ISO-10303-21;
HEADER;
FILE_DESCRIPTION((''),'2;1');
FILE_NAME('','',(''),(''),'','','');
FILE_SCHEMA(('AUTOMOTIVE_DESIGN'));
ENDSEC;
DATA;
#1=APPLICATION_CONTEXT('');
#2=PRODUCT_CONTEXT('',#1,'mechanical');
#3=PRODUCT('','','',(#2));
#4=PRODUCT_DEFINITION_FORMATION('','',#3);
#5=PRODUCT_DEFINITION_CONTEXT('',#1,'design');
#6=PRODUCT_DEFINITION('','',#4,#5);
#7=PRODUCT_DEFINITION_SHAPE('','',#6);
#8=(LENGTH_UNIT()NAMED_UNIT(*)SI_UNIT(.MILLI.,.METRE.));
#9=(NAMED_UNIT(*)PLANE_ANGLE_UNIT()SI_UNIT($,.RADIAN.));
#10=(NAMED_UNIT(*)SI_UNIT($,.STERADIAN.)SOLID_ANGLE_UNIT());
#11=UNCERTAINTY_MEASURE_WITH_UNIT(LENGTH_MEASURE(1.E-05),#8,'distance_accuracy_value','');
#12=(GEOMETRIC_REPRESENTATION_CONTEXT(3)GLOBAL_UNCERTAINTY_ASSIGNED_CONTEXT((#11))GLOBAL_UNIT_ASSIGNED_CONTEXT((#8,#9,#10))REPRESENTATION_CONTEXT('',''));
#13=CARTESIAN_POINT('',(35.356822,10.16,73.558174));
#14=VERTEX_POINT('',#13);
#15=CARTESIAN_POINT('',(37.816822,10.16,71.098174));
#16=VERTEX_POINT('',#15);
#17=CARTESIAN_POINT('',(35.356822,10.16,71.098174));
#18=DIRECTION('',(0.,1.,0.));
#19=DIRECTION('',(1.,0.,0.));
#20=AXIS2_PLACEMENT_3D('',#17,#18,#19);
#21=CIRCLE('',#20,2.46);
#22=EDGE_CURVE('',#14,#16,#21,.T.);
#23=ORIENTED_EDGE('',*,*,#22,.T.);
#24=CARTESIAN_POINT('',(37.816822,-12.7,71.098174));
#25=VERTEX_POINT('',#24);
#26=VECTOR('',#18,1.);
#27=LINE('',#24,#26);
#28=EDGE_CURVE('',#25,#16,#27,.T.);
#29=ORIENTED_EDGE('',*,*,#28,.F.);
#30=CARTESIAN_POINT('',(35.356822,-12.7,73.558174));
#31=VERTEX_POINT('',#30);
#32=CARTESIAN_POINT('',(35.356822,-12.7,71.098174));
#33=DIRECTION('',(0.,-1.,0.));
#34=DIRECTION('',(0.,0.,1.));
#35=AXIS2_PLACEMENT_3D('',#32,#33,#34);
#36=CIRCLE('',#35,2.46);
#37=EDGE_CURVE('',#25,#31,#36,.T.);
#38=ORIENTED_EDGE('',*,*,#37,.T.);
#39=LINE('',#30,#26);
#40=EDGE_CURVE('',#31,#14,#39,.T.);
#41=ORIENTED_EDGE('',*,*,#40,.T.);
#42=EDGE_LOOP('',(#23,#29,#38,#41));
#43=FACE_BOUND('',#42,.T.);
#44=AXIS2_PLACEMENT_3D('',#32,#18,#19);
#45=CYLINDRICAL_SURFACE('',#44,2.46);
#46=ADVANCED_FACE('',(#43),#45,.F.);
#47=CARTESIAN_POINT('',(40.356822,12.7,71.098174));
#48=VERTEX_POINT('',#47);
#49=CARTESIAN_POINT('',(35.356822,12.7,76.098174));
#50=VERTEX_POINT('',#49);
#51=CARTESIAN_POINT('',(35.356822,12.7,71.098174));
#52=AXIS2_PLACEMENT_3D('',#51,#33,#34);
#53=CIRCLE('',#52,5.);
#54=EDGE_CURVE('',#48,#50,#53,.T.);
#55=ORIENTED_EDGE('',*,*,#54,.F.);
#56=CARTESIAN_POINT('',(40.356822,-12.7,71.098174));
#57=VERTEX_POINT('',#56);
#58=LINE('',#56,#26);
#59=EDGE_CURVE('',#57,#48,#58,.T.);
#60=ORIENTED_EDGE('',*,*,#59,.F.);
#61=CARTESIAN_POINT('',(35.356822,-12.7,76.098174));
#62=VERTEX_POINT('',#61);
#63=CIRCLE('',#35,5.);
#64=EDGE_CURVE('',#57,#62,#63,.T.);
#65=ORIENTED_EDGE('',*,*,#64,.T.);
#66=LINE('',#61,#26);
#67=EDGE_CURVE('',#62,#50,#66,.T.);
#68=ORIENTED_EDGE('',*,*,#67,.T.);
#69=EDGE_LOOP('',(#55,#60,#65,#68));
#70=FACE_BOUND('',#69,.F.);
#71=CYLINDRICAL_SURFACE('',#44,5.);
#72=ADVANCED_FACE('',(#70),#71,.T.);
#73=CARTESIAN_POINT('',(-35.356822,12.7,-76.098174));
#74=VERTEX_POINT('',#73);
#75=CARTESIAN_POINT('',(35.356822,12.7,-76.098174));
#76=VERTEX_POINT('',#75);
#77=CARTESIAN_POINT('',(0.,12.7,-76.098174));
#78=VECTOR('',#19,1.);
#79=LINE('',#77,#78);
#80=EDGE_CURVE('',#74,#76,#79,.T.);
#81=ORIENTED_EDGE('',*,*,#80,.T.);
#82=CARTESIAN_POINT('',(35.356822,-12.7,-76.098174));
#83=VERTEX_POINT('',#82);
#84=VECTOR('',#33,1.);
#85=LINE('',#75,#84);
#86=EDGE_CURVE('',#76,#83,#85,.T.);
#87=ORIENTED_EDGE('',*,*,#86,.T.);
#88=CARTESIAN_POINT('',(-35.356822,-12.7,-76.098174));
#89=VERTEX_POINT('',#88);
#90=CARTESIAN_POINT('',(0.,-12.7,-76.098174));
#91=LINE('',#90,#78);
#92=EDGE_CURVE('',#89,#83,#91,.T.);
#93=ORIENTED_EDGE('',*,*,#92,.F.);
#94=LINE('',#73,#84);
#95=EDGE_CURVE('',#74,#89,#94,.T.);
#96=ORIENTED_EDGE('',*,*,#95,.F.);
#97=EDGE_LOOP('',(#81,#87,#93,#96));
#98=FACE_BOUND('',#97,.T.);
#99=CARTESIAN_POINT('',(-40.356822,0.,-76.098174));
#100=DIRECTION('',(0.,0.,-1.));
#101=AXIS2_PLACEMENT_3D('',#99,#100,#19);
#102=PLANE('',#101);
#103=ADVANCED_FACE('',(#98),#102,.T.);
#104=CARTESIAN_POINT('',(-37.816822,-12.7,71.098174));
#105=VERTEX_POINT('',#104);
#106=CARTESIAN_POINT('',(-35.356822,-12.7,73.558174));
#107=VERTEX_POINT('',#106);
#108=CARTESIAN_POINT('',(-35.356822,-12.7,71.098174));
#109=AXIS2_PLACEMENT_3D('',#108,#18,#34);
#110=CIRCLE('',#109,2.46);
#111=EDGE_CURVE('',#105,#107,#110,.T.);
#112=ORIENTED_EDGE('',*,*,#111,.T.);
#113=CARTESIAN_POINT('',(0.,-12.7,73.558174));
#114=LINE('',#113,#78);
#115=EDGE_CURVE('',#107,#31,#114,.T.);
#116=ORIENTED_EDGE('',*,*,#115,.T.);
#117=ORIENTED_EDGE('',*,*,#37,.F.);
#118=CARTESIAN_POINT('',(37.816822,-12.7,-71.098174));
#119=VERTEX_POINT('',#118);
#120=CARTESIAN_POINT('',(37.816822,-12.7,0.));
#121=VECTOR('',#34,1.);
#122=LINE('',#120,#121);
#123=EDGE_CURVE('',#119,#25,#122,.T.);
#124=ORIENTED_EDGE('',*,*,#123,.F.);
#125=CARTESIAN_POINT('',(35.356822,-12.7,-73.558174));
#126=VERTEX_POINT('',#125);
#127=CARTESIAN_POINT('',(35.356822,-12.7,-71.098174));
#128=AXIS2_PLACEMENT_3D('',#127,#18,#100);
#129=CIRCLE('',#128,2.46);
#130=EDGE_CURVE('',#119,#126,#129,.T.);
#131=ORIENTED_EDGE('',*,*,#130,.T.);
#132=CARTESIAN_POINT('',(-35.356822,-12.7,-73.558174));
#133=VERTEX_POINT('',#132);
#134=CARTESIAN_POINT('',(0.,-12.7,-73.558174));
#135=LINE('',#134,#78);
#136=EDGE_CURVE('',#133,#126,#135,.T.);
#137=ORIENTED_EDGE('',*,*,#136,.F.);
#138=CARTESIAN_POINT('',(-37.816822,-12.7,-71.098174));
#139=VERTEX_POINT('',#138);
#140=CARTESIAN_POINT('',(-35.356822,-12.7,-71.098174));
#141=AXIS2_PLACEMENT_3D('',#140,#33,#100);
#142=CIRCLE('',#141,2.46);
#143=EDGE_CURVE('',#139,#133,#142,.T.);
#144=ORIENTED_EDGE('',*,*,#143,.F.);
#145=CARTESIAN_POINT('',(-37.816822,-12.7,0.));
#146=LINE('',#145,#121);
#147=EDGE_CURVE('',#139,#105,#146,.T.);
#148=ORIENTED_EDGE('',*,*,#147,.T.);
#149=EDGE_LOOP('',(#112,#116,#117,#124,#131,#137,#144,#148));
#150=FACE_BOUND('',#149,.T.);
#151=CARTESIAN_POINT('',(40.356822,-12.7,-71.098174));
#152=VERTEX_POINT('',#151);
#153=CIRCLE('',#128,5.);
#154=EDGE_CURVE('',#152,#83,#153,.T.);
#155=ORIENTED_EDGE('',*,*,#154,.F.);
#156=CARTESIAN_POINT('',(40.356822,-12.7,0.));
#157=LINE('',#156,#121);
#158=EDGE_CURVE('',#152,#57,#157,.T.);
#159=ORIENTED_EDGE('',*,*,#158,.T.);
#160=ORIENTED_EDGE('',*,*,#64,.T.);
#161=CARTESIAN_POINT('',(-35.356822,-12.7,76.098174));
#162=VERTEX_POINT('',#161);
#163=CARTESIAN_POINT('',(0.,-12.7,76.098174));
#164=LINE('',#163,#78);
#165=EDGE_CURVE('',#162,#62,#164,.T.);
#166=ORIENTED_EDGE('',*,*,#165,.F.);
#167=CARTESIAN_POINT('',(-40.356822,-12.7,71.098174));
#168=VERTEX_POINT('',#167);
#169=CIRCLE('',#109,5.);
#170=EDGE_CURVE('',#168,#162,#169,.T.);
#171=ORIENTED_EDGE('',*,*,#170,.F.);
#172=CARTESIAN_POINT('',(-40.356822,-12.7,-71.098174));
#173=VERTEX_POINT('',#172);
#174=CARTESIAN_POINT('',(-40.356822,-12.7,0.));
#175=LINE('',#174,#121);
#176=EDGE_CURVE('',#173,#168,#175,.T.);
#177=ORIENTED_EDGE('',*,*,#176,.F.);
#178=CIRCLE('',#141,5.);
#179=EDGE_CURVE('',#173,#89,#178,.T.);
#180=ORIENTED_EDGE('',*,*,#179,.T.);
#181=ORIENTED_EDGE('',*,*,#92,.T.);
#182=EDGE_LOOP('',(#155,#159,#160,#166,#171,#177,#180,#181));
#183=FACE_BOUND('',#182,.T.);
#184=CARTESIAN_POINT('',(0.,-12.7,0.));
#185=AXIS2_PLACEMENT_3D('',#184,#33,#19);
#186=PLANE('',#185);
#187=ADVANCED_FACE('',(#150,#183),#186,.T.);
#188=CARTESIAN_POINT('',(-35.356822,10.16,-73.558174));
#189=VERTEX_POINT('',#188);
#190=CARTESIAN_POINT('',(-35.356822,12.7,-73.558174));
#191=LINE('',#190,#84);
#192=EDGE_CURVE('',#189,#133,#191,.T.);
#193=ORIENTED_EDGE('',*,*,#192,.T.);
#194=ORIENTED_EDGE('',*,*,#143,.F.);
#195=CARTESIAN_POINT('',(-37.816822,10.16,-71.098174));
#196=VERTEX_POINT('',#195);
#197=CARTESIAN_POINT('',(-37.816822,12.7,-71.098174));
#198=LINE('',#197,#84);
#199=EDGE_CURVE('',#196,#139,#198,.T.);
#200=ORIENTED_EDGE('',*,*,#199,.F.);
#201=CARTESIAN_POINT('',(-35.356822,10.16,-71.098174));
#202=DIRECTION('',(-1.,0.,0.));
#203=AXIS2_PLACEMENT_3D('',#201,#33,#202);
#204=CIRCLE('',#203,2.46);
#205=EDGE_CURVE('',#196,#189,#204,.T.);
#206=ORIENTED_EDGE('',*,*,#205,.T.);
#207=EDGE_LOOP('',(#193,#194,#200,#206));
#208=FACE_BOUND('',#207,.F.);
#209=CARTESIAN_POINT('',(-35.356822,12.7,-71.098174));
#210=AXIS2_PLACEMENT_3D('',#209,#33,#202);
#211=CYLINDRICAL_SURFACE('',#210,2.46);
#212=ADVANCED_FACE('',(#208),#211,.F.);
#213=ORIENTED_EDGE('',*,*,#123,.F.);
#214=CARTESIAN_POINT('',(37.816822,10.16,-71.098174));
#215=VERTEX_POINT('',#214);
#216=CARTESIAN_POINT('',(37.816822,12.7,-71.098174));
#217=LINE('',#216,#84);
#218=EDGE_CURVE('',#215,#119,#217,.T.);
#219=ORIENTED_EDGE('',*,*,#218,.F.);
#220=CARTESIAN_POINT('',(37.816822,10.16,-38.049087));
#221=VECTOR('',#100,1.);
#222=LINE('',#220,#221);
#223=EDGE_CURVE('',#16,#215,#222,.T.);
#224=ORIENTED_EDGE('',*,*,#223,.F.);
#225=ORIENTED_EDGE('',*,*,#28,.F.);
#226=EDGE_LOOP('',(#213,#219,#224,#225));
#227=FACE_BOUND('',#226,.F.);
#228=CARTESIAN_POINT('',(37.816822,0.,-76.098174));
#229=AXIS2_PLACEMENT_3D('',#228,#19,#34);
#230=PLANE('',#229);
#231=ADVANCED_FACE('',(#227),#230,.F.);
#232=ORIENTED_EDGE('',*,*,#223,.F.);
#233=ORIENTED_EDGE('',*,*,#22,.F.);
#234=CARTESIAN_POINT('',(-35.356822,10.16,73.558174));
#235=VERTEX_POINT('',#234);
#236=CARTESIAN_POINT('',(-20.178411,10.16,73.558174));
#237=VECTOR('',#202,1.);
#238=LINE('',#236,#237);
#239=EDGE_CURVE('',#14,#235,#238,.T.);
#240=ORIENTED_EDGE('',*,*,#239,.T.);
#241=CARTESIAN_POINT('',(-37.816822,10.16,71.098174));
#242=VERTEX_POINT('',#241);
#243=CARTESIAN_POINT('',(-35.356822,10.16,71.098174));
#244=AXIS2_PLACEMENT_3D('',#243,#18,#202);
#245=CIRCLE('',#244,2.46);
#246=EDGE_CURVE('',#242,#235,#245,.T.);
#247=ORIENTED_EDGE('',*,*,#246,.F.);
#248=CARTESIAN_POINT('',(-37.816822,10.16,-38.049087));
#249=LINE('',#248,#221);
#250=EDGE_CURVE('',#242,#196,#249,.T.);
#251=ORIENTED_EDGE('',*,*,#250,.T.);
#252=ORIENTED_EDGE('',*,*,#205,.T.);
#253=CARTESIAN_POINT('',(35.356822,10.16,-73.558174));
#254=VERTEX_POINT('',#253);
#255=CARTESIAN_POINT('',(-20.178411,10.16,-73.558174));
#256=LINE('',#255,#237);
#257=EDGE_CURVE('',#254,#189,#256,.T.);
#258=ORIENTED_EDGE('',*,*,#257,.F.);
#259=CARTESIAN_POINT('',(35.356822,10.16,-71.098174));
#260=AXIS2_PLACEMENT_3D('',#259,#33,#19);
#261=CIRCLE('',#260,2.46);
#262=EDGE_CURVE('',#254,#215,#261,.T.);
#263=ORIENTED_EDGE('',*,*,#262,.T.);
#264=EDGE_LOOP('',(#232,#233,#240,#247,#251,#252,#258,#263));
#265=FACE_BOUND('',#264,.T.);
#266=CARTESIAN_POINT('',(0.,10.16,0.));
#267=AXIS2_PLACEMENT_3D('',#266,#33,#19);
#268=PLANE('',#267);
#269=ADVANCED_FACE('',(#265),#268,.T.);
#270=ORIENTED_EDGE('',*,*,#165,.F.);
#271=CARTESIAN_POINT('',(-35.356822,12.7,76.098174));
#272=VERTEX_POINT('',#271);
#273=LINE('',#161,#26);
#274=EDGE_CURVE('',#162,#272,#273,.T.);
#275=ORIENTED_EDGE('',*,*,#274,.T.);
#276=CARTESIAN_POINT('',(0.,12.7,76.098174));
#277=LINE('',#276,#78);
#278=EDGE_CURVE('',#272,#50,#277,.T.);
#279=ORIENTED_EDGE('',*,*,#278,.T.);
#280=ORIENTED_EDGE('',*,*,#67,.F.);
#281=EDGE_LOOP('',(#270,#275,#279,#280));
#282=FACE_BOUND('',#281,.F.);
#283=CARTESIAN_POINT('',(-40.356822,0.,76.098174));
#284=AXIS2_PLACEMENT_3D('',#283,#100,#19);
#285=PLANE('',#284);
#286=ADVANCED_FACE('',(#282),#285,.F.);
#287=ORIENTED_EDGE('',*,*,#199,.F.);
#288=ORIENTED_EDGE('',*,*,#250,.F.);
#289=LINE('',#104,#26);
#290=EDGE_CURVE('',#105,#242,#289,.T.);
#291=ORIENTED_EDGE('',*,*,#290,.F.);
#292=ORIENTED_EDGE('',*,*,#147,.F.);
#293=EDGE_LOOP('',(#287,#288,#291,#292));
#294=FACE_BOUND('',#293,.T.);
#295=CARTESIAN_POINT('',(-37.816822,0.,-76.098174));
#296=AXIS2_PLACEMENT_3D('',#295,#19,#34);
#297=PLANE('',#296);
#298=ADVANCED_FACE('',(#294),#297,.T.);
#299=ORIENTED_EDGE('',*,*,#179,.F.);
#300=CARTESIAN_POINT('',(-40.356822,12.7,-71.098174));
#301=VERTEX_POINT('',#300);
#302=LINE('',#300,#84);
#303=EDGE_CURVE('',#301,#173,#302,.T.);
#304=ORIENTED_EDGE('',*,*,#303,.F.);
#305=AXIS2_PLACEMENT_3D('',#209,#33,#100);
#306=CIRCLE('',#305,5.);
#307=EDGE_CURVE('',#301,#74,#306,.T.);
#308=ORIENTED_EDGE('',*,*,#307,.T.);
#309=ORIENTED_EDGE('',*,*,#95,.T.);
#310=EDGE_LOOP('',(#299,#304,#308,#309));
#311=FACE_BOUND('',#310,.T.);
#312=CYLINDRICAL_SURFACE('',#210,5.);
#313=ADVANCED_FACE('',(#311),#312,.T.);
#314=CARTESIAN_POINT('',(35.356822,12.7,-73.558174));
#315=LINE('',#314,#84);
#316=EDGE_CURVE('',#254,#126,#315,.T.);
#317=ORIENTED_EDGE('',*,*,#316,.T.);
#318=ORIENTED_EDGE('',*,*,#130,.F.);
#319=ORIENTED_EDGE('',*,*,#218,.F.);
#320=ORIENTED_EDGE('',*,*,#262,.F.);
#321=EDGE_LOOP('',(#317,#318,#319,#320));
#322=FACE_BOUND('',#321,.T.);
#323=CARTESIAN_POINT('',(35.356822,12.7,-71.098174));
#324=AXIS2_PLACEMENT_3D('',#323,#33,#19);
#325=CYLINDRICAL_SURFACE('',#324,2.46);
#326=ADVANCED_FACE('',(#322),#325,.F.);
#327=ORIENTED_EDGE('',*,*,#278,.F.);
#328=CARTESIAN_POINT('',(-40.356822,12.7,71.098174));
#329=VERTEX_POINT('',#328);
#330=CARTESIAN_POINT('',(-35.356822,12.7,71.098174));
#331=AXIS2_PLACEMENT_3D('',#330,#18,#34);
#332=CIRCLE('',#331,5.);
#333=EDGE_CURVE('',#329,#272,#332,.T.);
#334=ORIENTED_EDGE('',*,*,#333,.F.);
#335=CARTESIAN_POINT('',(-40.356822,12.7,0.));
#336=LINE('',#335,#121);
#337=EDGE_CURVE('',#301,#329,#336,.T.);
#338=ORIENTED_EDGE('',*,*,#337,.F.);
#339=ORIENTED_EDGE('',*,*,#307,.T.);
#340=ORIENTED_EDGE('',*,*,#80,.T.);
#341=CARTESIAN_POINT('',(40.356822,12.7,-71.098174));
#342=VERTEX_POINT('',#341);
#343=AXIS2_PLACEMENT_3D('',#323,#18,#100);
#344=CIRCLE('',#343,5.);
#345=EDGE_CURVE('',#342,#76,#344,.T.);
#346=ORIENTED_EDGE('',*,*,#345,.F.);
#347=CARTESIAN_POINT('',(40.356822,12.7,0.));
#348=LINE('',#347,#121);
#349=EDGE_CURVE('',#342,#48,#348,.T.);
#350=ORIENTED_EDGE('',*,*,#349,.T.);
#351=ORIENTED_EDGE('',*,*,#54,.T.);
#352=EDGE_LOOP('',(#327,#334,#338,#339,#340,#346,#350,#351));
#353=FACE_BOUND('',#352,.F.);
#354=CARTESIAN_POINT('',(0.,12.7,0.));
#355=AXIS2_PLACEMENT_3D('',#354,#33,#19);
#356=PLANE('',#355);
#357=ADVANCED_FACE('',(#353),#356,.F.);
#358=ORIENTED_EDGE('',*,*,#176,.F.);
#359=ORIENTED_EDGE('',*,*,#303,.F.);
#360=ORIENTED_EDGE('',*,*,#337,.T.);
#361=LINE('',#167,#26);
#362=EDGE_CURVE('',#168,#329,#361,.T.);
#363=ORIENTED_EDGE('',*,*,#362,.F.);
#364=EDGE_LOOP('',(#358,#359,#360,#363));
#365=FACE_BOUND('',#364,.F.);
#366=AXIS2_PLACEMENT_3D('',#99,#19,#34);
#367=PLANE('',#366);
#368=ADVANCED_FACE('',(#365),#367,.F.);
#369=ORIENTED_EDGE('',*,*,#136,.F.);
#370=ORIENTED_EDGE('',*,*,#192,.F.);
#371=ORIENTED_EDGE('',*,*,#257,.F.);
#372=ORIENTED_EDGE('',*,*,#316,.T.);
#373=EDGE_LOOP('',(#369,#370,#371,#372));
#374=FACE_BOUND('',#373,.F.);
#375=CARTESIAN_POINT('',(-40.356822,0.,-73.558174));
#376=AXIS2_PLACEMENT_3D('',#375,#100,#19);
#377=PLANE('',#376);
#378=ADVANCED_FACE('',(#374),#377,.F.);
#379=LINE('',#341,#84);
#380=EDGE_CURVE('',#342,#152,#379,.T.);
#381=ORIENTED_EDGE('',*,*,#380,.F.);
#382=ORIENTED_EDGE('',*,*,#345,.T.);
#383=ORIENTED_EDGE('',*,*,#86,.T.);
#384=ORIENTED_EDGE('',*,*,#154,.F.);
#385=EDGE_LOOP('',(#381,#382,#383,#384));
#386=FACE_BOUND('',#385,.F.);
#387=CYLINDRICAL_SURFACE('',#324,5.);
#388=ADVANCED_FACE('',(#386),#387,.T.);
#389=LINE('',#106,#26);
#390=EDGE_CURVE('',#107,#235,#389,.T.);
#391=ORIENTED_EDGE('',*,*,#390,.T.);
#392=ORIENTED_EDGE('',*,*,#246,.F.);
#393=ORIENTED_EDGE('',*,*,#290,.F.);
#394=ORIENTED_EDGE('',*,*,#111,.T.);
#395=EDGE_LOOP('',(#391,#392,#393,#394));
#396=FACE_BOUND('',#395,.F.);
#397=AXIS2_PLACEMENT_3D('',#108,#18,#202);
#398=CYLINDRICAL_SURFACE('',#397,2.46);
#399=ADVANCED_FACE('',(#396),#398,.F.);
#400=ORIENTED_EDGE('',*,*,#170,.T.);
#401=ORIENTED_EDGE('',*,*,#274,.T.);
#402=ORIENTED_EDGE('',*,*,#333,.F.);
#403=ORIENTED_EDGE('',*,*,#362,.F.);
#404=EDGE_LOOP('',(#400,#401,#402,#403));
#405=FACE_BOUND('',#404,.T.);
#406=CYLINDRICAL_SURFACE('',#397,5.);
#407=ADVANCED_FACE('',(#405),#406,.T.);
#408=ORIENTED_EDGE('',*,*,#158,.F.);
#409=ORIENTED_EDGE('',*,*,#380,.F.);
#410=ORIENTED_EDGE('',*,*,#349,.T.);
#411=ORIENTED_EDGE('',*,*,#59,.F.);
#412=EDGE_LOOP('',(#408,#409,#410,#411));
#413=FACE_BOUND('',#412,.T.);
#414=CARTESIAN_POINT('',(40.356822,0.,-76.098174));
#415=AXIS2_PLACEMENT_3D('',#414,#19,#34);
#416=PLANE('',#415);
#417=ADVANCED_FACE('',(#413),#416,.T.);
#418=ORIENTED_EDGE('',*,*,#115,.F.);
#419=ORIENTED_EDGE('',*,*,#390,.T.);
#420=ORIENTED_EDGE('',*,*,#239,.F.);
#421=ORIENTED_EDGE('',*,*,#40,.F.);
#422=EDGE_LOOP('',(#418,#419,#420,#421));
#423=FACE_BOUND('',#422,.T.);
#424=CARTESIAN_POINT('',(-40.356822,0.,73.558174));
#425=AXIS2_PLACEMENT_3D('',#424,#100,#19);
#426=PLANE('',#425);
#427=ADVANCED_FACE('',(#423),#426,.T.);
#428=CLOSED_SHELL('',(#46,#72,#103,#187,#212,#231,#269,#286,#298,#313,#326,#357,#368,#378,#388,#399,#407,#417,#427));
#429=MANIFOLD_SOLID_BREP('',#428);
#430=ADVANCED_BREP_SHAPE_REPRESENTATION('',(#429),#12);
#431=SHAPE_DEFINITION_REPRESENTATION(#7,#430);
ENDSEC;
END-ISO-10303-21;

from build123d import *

# Parameters (mm, degrees)
F0_W     = 80.713644
F0_H     = 152.196348
F1_DEPTH = 12.7
F2_R     = 5
F3_T     = -2.54


with BuildPart() as f1:
    # F0 (on Front) → F1 (new body, symmetric)
    with BuildSketch(Plane.XZ):
        Rectangle(F0_W, F0_H)
    extrude(amount=F1_DEPTH, both=True)

    # F2
    f2_edges = [f1.edges().sort_by_distance(p)[0] for p in [
        (-40.356822, 0, 76.098174),
        (40.356822, 0, 76.098174),
        (40.356822, 0, -76.098174),
        (-40.356822, 0, -76.098174),
    ]]
    fillet(f2_edges, radius=F2_R)

    # F3
    f3_openings = [f1.faces().sort_by_distance(p)[0] for p in [
        (0, -12.7, 0),
    ]]
    offset(amount=F3_T, openings=f3_openings)


solid = f1.part
